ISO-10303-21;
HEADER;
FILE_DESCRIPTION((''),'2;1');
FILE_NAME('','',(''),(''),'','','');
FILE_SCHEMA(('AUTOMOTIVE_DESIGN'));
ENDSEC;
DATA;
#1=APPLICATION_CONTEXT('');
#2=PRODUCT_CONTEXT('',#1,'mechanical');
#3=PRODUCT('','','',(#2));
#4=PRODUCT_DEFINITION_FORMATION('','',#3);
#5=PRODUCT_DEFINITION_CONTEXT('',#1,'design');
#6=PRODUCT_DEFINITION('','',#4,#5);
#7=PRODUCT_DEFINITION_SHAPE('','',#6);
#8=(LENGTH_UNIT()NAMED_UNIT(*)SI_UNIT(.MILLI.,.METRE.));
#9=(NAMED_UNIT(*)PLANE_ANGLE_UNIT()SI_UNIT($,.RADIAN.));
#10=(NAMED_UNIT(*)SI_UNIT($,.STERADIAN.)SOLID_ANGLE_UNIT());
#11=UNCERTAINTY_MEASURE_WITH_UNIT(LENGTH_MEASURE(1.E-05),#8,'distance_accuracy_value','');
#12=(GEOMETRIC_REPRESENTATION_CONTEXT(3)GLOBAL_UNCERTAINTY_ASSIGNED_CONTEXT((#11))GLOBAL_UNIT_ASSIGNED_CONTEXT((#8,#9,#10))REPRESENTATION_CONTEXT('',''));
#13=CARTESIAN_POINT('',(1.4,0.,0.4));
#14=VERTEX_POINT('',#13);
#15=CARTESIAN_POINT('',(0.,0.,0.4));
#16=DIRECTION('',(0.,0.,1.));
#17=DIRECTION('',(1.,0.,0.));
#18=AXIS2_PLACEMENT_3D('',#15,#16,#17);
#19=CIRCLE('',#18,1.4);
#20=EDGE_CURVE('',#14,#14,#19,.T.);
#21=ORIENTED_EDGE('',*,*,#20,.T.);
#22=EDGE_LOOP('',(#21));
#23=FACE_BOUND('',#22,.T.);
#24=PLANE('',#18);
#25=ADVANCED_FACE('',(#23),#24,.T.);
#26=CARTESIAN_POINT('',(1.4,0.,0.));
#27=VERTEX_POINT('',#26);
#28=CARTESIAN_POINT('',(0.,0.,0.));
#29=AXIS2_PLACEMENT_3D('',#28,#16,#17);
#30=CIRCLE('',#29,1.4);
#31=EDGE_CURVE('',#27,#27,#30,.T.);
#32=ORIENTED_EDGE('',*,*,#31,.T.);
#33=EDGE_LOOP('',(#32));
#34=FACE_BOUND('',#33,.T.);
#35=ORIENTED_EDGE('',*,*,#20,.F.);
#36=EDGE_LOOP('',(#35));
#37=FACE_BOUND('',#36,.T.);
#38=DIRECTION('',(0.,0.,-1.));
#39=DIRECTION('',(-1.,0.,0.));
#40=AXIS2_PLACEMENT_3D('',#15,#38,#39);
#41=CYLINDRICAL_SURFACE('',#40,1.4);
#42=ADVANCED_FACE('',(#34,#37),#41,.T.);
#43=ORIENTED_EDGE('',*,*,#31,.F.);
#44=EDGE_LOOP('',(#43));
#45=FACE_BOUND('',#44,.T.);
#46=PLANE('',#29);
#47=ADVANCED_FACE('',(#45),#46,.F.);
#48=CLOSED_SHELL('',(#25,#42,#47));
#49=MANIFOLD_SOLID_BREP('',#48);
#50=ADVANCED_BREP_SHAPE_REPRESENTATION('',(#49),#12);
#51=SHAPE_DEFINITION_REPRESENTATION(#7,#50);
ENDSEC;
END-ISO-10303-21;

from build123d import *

# Parameters (mm, degrees)
ESQUISSE1_R        = 1.4
BOSS_EXTRU_1_DEPTH = 0.4


with BuildPart() as part:
    # Esquisse1 → Boss.-Extru.1 (new body)
    with BuildSketch(Plane.XY):
        Circle(ESQUISSE1_R)
    extrude(amount=BOSS_EXTRU_1_DEPTH)


solid = part.part
